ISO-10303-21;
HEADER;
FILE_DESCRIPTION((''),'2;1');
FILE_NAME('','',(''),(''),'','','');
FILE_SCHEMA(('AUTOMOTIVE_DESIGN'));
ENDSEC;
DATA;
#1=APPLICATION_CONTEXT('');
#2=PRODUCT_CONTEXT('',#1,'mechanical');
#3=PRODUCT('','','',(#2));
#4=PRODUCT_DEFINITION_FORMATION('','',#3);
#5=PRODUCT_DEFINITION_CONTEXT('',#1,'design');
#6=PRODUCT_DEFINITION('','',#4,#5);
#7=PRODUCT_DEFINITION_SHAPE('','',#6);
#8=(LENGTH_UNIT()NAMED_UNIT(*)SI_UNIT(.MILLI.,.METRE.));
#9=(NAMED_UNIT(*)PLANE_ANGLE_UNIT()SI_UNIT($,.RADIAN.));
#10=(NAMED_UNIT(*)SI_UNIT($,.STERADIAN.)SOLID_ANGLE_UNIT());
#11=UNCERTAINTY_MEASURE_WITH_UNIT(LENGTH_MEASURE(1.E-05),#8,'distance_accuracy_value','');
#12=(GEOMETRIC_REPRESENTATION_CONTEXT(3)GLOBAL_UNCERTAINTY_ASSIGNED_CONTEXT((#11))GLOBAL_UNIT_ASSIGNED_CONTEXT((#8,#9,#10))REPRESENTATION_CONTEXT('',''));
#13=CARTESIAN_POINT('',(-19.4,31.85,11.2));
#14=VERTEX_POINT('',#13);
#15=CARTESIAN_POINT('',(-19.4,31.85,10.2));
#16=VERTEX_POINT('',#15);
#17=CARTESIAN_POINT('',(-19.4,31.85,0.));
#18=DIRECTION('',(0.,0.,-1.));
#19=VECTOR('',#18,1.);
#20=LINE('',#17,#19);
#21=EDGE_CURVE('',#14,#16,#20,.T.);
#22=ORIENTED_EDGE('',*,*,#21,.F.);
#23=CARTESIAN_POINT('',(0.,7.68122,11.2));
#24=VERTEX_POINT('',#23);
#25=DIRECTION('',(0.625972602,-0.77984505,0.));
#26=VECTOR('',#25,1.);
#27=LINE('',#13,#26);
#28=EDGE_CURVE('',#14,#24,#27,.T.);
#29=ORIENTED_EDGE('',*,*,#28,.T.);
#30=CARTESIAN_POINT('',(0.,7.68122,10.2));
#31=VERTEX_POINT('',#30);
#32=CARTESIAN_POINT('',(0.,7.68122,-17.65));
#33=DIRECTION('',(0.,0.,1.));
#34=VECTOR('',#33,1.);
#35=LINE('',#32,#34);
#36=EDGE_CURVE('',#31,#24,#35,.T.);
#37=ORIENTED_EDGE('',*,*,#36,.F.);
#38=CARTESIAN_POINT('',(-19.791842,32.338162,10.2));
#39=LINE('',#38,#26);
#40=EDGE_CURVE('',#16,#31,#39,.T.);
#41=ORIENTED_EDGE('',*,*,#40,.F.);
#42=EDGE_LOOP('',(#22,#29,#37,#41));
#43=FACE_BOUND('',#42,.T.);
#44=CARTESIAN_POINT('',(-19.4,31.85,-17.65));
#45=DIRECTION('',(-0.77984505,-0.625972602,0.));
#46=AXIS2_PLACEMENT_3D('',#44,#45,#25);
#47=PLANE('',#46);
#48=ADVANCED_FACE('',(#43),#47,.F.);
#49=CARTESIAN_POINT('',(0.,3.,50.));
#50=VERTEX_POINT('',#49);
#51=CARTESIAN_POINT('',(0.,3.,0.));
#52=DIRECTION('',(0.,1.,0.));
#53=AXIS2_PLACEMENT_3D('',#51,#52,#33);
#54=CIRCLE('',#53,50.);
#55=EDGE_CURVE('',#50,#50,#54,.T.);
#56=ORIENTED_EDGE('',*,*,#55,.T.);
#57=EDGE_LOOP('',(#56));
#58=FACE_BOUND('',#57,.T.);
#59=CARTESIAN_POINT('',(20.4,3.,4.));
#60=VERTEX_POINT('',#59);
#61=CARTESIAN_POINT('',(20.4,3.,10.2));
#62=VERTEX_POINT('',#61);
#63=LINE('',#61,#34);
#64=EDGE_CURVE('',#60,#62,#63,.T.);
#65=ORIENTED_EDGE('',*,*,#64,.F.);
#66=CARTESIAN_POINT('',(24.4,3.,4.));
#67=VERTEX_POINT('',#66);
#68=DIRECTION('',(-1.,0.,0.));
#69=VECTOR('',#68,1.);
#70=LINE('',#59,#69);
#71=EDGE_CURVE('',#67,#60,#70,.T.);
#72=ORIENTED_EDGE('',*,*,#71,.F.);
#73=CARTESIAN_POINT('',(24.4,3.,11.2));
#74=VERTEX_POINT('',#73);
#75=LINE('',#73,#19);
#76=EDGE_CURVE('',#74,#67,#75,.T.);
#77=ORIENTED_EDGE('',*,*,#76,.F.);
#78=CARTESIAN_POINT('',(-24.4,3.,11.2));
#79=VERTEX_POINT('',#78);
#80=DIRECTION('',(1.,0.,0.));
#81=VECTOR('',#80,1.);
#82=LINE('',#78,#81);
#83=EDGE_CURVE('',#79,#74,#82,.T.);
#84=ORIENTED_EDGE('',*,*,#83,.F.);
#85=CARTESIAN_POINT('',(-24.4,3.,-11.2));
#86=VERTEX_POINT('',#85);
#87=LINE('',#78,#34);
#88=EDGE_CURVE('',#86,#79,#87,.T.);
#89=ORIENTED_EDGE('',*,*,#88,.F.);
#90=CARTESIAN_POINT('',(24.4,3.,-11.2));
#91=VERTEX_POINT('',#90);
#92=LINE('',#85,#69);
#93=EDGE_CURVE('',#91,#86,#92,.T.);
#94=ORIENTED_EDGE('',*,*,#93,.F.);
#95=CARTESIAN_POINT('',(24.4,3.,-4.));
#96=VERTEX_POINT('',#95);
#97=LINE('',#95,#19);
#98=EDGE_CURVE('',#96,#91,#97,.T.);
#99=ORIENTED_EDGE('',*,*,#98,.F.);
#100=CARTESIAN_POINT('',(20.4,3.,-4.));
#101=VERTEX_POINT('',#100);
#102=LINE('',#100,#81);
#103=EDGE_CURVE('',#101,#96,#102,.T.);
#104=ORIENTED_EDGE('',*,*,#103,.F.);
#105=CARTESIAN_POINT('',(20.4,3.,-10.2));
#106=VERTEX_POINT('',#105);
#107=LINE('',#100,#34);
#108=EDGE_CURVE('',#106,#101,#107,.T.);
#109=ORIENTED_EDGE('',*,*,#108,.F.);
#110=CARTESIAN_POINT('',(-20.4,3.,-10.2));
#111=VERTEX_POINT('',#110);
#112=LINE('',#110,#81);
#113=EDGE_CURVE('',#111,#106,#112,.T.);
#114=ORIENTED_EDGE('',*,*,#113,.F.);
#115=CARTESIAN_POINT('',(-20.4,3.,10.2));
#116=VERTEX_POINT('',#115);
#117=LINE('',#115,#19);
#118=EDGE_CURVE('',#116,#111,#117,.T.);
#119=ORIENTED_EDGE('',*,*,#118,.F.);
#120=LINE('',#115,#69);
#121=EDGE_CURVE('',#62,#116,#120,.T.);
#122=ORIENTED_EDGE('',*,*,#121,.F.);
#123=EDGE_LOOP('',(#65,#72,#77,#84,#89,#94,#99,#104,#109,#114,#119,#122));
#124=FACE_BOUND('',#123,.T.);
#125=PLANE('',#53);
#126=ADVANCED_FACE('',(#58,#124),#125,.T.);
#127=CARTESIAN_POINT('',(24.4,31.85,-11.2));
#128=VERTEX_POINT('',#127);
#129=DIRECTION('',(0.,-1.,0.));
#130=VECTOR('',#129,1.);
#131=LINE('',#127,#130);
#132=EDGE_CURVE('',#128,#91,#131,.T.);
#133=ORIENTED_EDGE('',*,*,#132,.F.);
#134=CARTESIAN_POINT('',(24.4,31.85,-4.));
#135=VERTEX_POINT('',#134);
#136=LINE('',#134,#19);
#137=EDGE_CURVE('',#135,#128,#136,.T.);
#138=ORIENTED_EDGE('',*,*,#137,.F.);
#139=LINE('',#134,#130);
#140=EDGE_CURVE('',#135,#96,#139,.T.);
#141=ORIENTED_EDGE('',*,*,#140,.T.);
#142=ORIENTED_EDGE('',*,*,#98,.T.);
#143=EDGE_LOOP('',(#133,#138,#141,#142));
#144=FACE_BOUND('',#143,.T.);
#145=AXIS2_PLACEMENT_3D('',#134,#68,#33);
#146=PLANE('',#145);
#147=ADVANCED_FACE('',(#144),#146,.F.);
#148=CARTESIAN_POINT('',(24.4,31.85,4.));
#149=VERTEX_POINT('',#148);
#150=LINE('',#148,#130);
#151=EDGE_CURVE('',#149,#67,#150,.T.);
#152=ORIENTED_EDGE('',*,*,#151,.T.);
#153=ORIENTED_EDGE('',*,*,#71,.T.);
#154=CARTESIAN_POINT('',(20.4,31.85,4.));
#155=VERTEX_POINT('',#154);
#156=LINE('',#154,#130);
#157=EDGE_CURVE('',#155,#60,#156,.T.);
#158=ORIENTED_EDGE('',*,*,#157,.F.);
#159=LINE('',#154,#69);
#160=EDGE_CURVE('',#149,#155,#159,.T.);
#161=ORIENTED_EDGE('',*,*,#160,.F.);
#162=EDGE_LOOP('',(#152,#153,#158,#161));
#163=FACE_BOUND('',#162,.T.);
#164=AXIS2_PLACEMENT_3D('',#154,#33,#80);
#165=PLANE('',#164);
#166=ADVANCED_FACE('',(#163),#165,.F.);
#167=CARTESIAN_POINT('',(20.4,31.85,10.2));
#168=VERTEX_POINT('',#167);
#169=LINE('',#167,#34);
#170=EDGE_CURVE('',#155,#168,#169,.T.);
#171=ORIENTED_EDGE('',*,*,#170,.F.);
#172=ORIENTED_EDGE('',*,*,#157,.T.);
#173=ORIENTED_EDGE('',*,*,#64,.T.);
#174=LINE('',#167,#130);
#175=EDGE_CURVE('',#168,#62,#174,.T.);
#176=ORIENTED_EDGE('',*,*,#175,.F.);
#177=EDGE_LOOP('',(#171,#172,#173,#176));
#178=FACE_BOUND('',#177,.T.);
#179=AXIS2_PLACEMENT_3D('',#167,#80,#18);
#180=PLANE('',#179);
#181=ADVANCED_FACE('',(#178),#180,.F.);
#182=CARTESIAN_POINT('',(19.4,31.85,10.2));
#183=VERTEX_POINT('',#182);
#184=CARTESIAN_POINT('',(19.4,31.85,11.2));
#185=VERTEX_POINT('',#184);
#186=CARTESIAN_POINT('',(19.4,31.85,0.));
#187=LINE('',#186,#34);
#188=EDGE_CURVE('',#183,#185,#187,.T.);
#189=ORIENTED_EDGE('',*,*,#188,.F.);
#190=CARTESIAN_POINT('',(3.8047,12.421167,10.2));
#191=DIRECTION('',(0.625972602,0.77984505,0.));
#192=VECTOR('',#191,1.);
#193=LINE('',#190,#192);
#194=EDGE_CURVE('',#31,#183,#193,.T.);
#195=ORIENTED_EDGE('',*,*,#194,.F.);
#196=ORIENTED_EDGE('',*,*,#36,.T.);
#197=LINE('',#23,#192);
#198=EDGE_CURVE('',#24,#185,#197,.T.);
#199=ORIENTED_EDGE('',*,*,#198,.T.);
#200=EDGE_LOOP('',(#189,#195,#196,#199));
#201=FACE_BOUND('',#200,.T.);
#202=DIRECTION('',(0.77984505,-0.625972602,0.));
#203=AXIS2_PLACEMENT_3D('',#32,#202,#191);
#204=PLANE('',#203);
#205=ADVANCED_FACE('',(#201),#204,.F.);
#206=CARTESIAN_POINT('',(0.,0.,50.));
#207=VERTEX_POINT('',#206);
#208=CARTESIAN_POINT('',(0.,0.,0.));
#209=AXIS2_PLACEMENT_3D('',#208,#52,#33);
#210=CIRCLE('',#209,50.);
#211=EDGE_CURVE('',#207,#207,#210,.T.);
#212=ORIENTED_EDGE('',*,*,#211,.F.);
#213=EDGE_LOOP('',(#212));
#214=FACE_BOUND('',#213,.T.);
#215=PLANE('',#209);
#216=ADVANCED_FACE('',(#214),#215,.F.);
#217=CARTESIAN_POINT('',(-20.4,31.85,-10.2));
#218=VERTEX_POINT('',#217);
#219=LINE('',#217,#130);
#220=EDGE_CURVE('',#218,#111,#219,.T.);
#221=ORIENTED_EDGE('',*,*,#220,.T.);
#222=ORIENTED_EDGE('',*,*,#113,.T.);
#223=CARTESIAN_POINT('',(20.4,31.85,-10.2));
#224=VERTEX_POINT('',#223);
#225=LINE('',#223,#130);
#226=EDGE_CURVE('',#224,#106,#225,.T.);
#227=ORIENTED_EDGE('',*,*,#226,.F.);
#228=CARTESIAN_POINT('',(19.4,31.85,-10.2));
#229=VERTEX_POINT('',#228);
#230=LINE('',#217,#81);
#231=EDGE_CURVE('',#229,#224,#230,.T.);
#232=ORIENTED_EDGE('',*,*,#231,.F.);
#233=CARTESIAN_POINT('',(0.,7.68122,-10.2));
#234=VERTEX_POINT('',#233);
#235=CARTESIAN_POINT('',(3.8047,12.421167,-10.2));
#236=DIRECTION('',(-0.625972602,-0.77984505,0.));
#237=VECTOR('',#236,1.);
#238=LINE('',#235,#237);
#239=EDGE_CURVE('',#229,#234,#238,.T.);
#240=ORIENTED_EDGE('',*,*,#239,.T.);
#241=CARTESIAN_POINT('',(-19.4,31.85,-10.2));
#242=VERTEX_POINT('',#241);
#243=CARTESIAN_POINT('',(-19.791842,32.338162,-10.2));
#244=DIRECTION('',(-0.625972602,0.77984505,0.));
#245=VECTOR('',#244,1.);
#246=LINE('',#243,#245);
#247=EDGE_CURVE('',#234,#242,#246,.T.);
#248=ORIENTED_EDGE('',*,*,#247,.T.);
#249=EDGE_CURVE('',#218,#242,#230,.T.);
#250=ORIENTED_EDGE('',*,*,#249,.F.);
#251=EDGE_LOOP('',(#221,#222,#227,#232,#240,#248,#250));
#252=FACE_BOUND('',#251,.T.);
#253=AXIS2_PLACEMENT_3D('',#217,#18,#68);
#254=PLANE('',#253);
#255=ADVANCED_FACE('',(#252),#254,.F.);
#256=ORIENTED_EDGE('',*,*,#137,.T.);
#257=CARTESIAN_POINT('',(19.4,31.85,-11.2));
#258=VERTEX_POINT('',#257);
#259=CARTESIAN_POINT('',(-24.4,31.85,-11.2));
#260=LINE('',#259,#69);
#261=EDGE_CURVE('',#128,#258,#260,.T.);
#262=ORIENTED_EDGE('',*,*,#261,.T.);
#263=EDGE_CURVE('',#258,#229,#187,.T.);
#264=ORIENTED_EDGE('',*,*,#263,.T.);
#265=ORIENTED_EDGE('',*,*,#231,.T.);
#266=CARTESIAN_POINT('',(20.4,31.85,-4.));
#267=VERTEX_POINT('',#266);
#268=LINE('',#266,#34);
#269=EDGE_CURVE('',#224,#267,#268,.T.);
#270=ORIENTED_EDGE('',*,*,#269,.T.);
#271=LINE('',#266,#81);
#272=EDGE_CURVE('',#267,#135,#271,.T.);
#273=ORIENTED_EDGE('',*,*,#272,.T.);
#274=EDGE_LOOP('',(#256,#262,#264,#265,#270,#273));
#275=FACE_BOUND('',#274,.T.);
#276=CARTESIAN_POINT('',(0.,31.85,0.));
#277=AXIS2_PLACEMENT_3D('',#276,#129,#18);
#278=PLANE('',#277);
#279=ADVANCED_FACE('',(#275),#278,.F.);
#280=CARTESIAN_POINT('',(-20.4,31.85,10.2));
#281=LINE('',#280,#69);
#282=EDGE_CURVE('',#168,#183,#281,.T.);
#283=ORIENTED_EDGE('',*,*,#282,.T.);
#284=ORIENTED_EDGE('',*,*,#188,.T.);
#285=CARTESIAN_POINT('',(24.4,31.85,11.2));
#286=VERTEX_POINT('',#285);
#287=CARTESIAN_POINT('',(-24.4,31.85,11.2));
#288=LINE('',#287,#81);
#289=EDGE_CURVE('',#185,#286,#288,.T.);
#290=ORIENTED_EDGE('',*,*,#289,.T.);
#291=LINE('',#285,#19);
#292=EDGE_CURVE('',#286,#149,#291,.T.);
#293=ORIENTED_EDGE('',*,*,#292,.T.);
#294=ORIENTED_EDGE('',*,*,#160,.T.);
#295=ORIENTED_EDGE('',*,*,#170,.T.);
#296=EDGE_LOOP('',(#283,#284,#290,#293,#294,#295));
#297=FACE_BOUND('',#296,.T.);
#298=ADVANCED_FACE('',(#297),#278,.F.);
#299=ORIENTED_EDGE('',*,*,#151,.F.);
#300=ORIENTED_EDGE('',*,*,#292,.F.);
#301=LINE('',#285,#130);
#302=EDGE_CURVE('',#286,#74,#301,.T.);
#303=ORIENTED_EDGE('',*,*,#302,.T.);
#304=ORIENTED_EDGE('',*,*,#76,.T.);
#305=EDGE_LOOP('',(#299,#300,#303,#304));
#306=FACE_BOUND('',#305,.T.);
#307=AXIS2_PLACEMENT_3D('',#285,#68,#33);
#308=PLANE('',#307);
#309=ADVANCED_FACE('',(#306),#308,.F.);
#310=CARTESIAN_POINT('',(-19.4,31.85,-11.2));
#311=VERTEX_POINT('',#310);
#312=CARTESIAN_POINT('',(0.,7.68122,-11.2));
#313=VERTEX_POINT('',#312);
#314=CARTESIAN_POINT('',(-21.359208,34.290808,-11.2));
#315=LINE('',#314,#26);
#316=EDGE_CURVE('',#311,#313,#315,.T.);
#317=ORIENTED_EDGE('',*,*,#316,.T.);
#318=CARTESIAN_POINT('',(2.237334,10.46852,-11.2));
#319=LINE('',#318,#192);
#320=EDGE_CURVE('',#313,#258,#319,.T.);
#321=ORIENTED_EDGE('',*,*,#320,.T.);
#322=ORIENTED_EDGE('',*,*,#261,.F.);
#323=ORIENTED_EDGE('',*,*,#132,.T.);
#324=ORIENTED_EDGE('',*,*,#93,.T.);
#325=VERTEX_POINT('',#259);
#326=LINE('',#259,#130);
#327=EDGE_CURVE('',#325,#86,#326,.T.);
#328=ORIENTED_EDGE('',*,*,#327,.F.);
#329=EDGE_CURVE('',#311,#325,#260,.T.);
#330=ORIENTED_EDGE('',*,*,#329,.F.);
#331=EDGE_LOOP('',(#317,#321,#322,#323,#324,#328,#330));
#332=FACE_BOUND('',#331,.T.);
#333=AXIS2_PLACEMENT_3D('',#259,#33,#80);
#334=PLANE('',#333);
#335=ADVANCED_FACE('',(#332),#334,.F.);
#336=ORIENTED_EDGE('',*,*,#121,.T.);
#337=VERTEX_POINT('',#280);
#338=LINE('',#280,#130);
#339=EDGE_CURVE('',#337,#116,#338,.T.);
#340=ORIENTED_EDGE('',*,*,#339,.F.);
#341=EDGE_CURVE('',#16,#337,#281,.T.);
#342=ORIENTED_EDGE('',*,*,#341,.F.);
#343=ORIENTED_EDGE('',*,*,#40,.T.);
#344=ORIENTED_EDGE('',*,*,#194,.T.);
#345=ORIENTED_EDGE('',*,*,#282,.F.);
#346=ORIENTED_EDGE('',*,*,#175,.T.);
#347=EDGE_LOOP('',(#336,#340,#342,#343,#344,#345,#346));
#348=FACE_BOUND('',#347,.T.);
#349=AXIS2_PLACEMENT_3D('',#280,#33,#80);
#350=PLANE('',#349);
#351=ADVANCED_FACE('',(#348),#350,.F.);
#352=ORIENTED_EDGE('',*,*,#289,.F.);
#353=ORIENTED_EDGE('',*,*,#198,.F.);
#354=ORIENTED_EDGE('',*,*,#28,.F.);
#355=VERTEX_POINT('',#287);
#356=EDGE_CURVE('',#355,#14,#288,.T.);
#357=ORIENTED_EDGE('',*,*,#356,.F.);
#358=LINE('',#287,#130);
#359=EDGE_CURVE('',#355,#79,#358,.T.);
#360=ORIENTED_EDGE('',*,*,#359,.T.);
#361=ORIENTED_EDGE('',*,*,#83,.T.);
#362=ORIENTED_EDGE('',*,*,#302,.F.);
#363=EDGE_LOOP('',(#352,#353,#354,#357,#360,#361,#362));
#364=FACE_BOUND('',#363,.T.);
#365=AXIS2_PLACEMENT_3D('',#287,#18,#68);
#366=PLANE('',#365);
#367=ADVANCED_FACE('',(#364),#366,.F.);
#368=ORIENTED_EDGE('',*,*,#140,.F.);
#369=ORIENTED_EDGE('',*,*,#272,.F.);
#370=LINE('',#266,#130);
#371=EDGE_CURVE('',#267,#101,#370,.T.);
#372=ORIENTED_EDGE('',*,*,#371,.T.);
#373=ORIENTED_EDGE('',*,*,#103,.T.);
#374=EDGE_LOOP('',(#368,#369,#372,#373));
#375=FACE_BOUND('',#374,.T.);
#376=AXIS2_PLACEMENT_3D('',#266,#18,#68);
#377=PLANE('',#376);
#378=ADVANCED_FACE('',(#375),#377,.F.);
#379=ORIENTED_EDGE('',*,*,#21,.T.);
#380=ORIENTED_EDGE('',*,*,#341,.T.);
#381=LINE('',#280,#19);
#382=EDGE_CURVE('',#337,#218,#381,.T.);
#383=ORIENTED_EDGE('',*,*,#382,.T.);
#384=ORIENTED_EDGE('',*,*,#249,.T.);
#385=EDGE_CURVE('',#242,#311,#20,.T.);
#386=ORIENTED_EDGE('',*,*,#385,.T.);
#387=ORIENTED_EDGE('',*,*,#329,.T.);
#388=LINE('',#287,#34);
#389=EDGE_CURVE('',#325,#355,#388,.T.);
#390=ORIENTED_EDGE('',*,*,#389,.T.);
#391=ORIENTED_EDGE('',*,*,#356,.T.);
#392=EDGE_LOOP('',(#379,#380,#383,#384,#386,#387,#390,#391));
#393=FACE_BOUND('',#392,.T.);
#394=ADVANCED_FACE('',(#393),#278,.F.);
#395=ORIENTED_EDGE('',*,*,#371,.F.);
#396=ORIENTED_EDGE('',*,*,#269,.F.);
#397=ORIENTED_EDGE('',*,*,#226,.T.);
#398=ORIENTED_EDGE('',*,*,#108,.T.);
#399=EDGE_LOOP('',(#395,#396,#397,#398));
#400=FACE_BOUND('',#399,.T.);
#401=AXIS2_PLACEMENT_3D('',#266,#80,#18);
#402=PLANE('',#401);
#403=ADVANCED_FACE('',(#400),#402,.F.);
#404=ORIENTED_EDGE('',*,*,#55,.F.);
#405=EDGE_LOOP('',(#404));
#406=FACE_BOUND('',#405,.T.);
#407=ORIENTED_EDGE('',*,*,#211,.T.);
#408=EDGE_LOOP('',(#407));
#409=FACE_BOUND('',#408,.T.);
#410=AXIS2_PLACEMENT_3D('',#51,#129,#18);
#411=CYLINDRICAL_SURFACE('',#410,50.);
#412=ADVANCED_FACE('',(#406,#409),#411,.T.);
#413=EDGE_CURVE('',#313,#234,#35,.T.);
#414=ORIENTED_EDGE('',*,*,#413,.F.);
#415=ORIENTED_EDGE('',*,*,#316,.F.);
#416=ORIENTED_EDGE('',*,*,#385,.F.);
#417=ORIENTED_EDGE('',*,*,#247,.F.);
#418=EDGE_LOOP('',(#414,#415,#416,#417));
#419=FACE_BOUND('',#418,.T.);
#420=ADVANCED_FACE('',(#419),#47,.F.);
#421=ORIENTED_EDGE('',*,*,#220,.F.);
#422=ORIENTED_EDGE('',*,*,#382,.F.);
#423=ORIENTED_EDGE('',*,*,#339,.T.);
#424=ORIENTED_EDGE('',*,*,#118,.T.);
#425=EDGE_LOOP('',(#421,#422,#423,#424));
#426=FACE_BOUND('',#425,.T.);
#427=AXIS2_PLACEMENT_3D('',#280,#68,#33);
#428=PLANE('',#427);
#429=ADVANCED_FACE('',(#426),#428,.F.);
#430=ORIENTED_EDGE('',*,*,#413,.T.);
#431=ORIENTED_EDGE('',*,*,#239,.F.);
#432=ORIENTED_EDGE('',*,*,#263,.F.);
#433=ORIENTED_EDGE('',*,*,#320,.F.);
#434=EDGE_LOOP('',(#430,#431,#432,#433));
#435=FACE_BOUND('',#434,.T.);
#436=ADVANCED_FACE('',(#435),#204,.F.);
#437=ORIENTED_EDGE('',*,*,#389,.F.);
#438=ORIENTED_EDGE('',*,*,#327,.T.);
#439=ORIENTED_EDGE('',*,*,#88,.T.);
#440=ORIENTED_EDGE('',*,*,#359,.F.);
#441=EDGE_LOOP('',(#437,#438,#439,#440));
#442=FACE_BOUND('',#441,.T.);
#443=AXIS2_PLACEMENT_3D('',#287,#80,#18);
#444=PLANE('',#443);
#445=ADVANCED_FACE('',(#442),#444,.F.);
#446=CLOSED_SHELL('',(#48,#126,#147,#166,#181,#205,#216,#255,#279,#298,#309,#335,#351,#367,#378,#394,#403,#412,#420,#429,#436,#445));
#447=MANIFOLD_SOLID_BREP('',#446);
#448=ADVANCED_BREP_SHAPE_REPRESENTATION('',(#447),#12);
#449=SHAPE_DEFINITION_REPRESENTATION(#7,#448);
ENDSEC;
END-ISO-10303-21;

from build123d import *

# Parameters (mm, degrees)
SKIZZE1_R                       = 50
AUFSATZ_LINEAR_AUSTRAGEN1_DEPTH = 3
AUFSATZ_LINEAR_AUSTRAGEN2_DEPTH = 28.85
SCHNITT_LINEAR_AUSTRAGEN1_DEPTH = 28.85


with BuildPart() as part:
    # Skizze1 → Aufsatz-Linear austragen1 (new body)
    with BuildSketch(Plane(origin=(0, 0, 0), x_dir=(1, 0, 0), z_dir=(0, 1, 0))):
        with Locations(Location((0, 0, 0), (0, 0, 270))):
            Circle(SKIZZE1_R)
    extrude(amount=AUFSATZ_LINEAR_AUSTRAGEN1_DEPTH)

    # Skizze2 → Aufsatz-Linear austragen2 (add)
    with BuildSketch(Plane(origin=(0, 3, 0), x_dir=(1, 0, 0), z_dir=(0, 1, 0))):
        Polygon((20.4, 4), (24.4, 4), (24.4, 11.2), (-24.4, 11.2), (-24.4, -11.2), (24.4, -11.2), (24.4, -4), (20.4, -4), (20.4, -10.2), (-20.4, -10.2), (-20.4, 10.2), (20.4, 10.2), align=None)
    extrude(amount=AUFSATZ_LINEAR_AUSTRAGEN2_DEPTH)

    # Skizze3 → Schnitt-Linear austragen1 (cut)
    with BuildSketch(Plane.XY.offset(11.2)):
        Polygon((-19.4, 31.85), (0, 7.681220191), (19.4, 31.85), align=None)
    extrude(amount=-SCHNITT_LINEAR_AUSTRAGEN1_DEPTH, mode=Mode.SUBTRACT)


solid = part.part
